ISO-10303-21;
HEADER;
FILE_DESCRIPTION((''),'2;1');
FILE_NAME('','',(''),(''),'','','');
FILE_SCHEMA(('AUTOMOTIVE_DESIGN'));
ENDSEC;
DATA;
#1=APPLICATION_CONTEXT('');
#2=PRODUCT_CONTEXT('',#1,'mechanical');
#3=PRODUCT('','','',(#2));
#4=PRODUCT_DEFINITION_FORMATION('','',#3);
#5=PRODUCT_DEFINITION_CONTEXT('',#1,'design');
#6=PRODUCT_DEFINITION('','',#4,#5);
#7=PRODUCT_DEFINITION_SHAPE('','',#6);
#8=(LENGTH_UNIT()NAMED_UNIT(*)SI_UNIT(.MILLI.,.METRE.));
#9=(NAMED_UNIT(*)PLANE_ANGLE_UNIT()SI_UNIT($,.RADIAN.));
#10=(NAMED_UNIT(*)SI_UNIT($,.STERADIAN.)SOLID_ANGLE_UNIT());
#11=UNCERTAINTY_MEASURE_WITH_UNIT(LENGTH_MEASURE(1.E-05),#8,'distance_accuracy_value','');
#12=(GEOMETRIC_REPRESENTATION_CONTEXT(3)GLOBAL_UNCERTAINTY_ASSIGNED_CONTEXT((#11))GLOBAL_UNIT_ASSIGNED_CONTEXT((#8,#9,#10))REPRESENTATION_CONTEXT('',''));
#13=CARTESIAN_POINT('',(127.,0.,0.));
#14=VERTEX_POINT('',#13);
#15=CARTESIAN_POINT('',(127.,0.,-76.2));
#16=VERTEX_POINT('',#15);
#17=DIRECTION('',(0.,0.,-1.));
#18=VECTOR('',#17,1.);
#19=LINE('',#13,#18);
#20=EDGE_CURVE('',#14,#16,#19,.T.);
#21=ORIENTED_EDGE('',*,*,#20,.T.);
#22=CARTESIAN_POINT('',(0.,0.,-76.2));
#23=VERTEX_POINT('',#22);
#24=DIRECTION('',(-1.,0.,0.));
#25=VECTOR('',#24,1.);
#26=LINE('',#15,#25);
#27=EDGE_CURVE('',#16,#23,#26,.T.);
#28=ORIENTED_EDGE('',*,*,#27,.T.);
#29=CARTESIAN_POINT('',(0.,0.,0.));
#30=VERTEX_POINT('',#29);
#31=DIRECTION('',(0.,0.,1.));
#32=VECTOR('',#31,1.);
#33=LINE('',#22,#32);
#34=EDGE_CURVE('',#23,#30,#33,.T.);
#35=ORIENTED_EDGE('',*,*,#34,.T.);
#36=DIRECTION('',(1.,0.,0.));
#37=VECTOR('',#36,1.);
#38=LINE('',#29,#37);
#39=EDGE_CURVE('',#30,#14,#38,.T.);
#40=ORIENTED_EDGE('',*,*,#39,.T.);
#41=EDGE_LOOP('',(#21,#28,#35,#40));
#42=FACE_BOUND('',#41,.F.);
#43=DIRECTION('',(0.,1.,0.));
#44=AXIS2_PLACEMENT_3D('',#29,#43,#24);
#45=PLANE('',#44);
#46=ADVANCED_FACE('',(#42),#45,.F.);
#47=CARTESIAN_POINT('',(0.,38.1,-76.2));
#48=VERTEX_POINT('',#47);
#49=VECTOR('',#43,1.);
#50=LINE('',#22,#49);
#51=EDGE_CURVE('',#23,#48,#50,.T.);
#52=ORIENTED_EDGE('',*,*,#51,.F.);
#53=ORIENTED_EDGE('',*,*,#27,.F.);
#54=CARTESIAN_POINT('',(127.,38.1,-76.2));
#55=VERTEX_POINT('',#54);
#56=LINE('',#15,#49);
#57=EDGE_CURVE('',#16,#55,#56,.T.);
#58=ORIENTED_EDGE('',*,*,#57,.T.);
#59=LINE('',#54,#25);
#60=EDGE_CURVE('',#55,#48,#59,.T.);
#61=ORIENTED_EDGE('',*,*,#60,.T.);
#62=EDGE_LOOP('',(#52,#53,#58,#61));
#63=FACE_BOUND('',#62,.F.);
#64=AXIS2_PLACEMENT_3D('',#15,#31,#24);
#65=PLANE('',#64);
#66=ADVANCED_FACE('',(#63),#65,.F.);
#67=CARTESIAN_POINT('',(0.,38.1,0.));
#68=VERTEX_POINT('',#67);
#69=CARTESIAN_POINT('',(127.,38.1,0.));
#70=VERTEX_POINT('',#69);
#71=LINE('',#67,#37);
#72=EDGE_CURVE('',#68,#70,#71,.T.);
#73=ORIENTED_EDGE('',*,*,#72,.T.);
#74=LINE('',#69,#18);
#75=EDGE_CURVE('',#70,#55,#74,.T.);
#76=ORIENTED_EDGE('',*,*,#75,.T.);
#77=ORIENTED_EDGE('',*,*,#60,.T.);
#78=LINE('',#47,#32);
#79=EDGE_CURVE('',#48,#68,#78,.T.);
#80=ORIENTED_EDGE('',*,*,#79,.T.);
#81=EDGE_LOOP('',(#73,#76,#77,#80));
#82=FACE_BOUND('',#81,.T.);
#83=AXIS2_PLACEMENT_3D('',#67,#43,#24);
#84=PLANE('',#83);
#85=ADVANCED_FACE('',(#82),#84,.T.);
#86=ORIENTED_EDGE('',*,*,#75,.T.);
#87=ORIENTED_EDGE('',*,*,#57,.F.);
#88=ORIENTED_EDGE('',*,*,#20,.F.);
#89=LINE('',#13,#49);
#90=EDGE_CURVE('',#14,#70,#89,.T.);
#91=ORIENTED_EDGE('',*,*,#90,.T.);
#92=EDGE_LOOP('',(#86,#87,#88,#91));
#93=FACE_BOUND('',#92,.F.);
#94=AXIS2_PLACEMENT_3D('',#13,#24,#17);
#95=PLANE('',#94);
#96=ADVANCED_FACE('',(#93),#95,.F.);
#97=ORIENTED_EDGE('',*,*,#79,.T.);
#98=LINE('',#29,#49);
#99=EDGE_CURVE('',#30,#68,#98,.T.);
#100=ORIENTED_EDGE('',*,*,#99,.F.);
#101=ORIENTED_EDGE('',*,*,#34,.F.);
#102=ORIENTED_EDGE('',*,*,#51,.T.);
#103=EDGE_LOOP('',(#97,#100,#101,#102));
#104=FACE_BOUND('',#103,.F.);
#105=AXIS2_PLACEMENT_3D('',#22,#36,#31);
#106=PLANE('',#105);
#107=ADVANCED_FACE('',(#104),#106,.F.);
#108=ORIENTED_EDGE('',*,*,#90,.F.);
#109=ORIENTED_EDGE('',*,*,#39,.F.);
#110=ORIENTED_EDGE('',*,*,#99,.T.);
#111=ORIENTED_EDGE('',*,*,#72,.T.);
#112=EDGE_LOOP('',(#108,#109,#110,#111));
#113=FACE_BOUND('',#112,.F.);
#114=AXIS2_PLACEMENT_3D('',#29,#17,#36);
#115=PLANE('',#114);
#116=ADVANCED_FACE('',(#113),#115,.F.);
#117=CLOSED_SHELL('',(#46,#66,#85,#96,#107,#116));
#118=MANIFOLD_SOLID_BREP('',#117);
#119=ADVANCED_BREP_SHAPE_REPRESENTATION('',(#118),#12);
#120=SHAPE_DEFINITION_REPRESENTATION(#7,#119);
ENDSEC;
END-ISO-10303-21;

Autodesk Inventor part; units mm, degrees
ref_plane "YZ Plane" through (0, 0, 0) normal (1, 0, 0) x (0, 1, 0)
ref_plane "XZ Plane" through (0, 0, 0) normal (0, 1, 0) x (-1, 0, 0)
ref_plane "XY Plane" through (0, 0, 0) normal (0, 0, 1) x (1, 0, 0)
sketch "Sketch1" plane through (0, 0, 0) normal (0, 1, 0) x (-1, 0, 0)
  line L0 (0, 0) -> (-127, 0)
  line L1 (-127, 0) -> (-127, -76.2)
  line L2 (-127, -76.2) -> (0, -76.2)
  line L3 (0, -76.2) -> (0, 0)
  dimension "d0" = 127
  dimension "d1" = 76.2
extrude "Extrusion1" add sketch "Sketch1" along normal blind 38.1
